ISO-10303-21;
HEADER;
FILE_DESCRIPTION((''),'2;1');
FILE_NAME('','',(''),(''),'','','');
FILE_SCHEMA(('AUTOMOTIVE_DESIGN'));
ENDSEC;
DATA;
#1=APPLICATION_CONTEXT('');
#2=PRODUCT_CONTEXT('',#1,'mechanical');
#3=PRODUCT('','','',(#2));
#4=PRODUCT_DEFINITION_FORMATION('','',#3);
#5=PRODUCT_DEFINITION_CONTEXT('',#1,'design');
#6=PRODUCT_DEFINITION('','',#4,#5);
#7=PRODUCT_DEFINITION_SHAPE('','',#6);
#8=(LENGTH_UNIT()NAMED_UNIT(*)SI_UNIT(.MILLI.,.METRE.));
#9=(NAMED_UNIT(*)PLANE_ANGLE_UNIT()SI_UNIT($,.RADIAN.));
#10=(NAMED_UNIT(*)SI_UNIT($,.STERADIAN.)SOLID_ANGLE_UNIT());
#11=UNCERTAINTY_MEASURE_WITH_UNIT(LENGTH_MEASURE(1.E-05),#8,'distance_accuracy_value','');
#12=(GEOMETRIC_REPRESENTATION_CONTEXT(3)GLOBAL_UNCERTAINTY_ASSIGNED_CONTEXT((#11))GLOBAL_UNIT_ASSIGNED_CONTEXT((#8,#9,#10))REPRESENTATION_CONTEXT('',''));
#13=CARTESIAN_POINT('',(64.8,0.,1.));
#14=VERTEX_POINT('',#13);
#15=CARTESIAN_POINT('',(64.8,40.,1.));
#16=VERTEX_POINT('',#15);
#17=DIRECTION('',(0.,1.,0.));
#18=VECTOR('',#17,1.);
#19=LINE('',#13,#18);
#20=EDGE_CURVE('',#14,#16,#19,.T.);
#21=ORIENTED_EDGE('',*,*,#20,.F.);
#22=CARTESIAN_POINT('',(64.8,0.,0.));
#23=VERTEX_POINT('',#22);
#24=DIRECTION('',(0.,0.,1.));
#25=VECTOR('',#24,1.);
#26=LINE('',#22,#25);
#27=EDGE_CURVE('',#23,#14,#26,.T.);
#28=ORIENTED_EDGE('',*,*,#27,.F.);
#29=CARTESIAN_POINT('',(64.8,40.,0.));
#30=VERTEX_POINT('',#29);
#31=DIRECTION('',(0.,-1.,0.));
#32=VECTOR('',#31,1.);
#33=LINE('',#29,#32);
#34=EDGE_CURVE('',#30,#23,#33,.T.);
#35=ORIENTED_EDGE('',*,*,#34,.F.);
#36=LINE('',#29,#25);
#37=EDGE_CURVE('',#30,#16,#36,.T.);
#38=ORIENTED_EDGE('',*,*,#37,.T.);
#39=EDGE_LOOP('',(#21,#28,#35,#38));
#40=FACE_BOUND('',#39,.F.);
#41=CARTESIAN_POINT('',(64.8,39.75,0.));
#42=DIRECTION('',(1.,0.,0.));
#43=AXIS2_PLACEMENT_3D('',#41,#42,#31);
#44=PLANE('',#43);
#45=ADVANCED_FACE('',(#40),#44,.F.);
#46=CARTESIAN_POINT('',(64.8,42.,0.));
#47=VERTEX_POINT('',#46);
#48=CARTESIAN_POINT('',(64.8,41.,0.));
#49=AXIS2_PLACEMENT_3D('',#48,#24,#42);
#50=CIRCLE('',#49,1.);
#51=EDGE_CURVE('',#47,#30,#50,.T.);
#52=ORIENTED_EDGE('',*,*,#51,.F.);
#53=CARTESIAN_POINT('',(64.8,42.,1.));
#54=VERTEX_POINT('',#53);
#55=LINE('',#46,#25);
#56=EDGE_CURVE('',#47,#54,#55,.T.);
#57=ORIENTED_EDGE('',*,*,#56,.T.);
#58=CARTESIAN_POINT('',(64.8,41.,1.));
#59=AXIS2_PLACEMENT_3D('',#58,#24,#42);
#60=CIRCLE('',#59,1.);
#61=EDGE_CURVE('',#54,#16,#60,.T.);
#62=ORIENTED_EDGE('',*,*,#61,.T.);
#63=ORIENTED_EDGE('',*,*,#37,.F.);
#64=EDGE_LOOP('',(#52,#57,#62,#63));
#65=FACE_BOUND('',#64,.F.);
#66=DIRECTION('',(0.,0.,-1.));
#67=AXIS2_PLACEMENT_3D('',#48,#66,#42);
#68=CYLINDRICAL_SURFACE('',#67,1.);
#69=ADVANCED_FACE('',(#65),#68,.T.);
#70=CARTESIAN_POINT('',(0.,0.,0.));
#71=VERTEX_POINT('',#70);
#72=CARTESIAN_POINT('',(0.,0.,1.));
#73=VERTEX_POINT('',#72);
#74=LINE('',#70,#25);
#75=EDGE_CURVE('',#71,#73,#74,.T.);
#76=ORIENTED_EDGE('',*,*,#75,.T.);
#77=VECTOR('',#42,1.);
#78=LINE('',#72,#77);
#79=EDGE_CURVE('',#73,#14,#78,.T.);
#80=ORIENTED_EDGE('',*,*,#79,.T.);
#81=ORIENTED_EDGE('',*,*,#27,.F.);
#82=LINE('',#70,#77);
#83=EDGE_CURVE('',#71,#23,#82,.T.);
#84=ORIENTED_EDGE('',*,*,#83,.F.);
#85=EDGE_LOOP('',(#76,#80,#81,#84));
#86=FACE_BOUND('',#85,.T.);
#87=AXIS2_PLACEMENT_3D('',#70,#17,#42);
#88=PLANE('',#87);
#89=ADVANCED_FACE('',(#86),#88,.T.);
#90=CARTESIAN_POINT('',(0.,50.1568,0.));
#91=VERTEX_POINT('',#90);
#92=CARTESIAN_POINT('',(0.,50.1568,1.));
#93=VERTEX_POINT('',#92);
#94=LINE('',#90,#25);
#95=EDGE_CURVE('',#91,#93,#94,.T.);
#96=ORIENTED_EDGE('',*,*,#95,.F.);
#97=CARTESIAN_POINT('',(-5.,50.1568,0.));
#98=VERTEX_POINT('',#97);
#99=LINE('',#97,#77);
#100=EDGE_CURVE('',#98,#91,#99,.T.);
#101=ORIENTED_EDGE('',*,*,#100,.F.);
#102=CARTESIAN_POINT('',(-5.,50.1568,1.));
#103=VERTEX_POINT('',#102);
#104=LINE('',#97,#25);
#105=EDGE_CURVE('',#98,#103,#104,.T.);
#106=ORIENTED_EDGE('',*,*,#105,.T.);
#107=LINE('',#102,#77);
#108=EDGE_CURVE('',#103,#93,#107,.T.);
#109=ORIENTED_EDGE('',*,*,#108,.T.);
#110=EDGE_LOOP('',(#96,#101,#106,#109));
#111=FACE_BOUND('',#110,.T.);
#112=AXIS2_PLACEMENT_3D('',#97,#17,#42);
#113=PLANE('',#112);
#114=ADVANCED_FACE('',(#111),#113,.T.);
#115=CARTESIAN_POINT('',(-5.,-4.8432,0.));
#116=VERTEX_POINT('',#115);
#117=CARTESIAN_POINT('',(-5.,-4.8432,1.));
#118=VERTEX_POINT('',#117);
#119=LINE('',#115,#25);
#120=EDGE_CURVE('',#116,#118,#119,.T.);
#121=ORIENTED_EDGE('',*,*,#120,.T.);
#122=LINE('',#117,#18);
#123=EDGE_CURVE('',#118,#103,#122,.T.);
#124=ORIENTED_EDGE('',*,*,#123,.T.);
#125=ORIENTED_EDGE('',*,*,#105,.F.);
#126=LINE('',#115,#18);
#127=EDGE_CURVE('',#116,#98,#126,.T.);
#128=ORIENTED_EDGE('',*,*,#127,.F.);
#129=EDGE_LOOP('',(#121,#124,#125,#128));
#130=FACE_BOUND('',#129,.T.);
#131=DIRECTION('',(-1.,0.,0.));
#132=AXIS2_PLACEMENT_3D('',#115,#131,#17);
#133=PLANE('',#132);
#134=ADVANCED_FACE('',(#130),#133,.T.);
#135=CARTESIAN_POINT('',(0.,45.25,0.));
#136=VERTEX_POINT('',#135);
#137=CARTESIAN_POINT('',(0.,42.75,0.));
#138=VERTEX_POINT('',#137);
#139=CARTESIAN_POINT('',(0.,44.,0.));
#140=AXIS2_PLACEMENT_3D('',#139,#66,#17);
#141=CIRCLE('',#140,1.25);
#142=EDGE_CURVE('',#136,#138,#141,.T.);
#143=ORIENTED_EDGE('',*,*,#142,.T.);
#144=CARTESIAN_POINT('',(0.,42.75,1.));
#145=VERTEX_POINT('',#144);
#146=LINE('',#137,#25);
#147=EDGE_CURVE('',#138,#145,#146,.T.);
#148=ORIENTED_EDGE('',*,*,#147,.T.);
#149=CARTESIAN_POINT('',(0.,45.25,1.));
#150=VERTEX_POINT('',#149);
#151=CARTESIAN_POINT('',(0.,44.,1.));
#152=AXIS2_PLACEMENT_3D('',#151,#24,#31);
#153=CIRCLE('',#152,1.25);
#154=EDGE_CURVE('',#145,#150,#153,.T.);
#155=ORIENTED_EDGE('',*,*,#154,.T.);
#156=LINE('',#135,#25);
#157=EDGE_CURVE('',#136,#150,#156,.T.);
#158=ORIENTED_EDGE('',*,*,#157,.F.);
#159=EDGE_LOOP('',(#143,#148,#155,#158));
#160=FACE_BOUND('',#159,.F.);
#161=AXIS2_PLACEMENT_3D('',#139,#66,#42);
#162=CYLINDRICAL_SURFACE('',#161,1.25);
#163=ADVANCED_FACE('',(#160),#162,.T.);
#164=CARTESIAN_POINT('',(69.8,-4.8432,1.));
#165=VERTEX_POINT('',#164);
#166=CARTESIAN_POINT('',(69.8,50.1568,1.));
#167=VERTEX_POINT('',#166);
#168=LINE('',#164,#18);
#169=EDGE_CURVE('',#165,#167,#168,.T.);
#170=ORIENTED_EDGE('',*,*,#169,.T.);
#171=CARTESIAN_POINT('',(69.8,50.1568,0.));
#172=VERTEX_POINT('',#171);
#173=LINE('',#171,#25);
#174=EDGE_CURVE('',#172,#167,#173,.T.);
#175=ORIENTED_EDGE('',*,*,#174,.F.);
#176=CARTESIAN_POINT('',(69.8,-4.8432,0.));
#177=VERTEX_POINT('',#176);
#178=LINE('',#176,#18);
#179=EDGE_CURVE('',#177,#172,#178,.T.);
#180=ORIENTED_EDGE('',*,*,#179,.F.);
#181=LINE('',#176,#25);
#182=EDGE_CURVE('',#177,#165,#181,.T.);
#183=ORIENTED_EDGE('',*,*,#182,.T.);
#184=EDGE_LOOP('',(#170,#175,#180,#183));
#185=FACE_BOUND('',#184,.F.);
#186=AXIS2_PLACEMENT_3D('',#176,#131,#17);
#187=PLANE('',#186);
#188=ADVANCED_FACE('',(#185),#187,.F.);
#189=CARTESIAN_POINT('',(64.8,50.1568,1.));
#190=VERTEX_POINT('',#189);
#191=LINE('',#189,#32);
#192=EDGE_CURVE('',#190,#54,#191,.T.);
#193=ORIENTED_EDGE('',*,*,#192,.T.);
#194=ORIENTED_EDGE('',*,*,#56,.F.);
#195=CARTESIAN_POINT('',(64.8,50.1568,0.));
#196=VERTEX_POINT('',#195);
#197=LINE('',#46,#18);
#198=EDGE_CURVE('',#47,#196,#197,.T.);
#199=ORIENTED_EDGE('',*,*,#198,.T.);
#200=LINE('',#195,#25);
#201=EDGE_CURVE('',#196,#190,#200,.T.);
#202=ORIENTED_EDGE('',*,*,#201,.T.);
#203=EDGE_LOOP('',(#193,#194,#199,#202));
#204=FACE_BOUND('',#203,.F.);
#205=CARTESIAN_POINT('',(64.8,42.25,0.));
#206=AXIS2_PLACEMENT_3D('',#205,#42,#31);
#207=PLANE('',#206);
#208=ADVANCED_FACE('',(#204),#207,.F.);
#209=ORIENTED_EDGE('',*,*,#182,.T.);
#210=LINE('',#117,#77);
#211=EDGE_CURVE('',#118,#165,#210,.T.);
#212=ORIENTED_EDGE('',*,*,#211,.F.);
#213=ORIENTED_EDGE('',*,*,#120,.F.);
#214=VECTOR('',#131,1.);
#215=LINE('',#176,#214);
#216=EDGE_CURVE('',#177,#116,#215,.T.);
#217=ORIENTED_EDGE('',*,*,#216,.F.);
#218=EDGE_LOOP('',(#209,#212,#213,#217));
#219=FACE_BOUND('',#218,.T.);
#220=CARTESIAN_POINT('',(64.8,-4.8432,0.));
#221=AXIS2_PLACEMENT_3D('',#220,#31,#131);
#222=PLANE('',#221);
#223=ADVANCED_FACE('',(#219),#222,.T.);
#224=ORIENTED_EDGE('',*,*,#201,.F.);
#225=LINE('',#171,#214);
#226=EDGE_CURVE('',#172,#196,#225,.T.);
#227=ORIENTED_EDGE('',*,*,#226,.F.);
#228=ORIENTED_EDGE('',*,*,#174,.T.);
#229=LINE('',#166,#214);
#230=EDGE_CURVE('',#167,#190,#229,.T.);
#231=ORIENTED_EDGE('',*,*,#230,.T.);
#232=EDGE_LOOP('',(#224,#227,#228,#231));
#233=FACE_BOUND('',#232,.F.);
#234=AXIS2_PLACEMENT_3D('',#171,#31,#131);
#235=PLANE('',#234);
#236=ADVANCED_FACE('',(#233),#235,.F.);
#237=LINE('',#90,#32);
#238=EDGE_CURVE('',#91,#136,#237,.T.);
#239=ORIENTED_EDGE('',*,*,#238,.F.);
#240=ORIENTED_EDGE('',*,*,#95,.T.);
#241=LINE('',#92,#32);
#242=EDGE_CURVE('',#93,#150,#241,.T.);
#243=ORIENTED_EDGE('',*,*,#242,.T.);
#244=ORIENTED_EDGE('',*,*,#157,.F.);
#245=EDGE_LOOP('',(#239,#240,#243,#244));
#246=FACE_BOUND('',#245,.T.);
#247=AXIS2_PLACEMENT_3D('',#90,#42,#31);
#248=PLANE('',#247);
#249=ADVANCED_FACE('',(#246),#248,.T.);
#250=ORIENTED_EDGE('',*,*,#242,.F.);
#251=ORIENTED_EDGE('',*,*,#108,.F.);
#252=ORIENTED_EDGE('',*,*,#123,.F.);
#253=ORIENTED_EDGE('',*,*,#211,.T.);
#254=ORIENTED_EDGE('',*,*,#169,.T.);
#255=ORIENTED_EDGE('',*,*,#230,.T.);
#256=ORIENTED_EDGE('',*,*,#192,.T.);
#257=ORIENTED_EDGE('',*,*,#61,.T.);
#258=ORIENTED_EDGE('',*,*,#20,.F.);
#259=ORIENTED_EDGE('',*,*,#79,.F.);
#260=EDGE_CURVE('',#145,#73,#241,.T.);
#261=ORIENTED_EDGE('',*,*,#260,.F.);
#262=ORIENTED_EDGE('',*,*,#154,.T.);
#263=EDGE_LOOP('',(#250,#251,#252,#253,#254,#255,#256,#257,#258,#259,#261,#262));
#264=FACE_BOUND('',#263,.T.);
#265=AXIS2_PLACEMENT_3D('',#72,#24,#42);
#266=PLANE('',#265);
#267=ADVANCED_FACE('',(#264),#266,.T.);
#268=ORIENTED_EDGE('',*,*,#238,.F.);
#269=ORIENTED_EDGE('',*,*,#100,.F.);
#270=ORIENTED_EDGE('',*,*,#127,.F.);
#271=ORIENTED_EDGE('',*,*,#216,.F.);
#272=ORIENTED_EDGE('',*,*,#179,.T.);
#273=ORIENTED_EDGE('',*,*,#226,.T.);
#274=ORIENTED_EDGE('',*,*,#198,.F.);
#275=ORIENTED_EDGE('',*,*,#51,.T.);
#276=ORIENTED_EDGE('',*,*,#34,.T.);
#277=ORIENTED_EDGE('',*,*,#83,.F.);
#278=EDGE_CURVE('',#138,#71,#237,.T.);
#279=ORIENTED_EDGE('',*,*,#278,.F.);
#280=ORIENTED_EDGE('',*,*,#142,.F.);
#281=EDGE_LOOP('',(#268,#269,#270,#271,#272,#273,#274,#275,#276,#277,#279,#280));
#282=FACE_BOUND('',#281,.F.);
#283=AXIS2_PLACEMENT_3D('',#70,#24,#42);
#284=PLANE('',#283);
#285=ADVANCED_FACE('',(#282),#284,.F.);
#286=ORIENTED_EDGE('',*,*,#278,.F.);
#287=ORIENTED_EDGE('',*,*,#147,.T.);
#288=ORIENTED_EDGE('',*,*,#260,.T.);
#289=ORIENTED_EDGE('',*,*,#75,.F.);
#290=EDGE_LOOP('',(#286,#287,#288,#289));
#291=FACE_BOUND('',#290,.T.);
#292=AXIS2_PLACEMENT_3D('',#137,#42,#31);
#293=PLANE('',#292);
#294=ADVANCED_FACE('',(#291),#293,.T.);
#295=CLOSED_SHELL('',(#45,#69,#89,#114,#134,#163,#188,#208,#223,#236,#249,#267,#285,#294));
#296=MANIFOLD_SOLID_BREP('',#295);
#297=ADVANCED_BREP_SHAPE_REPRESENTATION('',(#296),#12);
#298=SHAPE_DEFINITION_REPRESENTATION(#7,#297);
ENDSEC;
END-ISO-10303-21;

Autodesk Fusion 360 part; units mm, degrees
sketch "Sketch1" plane through (0, 0, 0) normal (0, 0, 1) x (1, 0, 0)
  line L0 (0, 0) -> (64.8, 0)
  line L1 (64.8, 0) -> (64.8, -4.8432)
  line L2 (64.8, -4.8432) -> (0, -4.8432)
  line L3 (0, -4.8432) -> (0, 0)
  line L4 (0, -4.8432) -> (-5, -4.8432)
  line L5 (-5, -4.8432) -> (-5, 50.1568)
  line L6 (-5, 50.1568) -> (0, 50.1568)
  line L7 (0, 50.1568) -> (0, -4.8432)
  line L8 (64.8, -4.8432) -> (69.8, -4.8432)
  line L9 (69.8, -4.8432) -> (69.8, 50.1568)
  line L10 (69.8, 50.1568) -> (64.8, 50.1568)
  line L11 (64.8, 50.1568) -> (64.8, -4.8432)
  line L12 (64.8, 42.25) -> (64.8, 39.75)
  circle A0 centre (64.8, 41) radius 1
  circle A1 centre (0, 44) radius 1.25
  dimension "d1" = 64.8
  dimension "d2" = 5
  dimension "d3" = 5
  dimension "d4" = 55
  dimension "d5" = 55
  dimension "d6" = 2.5
  dimension "d7" = 2
  dimension "d8" = 2.5
  dimension "d31" = 44
  dimension "d34" = 41
extrude "Extrude1" add sketch "Sketch1" along normal blind 1
sketch "Sketch2" plane through (0, 0, 1) normal (0, 0, 1) x (-1, 0, 0)
  line L0 (0, 0) -> (0, -42.75)
  arc A0 (0, -42.75) -> (0, -45.25) centre (0, -44) ccw
  line L1 (0, -45.25) -> (0, -50.1568)
  line L2 (0, -50.1568) -> (5, -50.1568)
  line L3 (5, -50.1568) -> (5, 4.8432)
  line L4 (5, 4.8432) -> (-69.8, 4.8432)
  line L5 (-69.8, 4.8432) -> (-69.8, -50.1568)
  line L6 (-69.8, -50.1568) -> (-64.8, -50.1568)
  line L7 (-64.8, -50.1568) -> (-64.8, -42)
  arc A1 (-64.8, -42) -> (-64.8, -40) centre (-64.8, -41) ccw
  line L8 (-64.8, -40) -> (-64.8, 0)
  line L9 (-64.8, 0) -> (0, 0)
  line L10 (5, -50.1568) -> (-2.5, -50.1568)
  line L11 (-2.5, -50.1568) -> (-2.5, -30.1568)
  line L12 (-2.5, -30.1568) -> (5, -30.1568)
  line L13 (5, -30.1568) -> (5, -50.1568)
  line L14 (-69.8, -50.1568) -> (-62.3, -50.1568)
  line L15 (-62.3, -50.1568) -> (-62.3, -30.1568)
  line L16 (-62.3, -30.1568) -> (-69.8, -30.1568)
  line L17 (-69.8, -30.1568) -> (-69.8, -50.1568)
  line L18 (5, 4.8432) -> (-69.8, 4.8432)
  line L19 (-69.8, 4.8432) -> (-69.8, -1.6568)
  line L20 (-69.8, -1.6568) -> (5, -1.6568)
  line L21 (5, -1.6568) -> (5, 4.8432)
  dimension "d11" = 7.5
  dimension "d12" = 20
  dimension "d13" = 7.5
  dimension "d14" = 20
  dimension "d25" = 6.5
extrude "Extrude2" [suppressed]
fillet "Fillet1" [suppressed]
fillet "Fillet2" [suppressed]
fillet "Fillet3" [suppressed]
fillet "Fillet4" [suppressed]
fillet "Fillet5" [suppressed]
mirror "Mirror1" [suppressed]
equation "d1 = 64.3 mm + 0.5 mm"
equation "d2 = d3"
equation "d5 = d4"
equation "d11 = d13"
equation "d14 = d12"
equation "d31 = 42 mm + 2 mm"
equation "d34 = 39 mm + 2 mm"
